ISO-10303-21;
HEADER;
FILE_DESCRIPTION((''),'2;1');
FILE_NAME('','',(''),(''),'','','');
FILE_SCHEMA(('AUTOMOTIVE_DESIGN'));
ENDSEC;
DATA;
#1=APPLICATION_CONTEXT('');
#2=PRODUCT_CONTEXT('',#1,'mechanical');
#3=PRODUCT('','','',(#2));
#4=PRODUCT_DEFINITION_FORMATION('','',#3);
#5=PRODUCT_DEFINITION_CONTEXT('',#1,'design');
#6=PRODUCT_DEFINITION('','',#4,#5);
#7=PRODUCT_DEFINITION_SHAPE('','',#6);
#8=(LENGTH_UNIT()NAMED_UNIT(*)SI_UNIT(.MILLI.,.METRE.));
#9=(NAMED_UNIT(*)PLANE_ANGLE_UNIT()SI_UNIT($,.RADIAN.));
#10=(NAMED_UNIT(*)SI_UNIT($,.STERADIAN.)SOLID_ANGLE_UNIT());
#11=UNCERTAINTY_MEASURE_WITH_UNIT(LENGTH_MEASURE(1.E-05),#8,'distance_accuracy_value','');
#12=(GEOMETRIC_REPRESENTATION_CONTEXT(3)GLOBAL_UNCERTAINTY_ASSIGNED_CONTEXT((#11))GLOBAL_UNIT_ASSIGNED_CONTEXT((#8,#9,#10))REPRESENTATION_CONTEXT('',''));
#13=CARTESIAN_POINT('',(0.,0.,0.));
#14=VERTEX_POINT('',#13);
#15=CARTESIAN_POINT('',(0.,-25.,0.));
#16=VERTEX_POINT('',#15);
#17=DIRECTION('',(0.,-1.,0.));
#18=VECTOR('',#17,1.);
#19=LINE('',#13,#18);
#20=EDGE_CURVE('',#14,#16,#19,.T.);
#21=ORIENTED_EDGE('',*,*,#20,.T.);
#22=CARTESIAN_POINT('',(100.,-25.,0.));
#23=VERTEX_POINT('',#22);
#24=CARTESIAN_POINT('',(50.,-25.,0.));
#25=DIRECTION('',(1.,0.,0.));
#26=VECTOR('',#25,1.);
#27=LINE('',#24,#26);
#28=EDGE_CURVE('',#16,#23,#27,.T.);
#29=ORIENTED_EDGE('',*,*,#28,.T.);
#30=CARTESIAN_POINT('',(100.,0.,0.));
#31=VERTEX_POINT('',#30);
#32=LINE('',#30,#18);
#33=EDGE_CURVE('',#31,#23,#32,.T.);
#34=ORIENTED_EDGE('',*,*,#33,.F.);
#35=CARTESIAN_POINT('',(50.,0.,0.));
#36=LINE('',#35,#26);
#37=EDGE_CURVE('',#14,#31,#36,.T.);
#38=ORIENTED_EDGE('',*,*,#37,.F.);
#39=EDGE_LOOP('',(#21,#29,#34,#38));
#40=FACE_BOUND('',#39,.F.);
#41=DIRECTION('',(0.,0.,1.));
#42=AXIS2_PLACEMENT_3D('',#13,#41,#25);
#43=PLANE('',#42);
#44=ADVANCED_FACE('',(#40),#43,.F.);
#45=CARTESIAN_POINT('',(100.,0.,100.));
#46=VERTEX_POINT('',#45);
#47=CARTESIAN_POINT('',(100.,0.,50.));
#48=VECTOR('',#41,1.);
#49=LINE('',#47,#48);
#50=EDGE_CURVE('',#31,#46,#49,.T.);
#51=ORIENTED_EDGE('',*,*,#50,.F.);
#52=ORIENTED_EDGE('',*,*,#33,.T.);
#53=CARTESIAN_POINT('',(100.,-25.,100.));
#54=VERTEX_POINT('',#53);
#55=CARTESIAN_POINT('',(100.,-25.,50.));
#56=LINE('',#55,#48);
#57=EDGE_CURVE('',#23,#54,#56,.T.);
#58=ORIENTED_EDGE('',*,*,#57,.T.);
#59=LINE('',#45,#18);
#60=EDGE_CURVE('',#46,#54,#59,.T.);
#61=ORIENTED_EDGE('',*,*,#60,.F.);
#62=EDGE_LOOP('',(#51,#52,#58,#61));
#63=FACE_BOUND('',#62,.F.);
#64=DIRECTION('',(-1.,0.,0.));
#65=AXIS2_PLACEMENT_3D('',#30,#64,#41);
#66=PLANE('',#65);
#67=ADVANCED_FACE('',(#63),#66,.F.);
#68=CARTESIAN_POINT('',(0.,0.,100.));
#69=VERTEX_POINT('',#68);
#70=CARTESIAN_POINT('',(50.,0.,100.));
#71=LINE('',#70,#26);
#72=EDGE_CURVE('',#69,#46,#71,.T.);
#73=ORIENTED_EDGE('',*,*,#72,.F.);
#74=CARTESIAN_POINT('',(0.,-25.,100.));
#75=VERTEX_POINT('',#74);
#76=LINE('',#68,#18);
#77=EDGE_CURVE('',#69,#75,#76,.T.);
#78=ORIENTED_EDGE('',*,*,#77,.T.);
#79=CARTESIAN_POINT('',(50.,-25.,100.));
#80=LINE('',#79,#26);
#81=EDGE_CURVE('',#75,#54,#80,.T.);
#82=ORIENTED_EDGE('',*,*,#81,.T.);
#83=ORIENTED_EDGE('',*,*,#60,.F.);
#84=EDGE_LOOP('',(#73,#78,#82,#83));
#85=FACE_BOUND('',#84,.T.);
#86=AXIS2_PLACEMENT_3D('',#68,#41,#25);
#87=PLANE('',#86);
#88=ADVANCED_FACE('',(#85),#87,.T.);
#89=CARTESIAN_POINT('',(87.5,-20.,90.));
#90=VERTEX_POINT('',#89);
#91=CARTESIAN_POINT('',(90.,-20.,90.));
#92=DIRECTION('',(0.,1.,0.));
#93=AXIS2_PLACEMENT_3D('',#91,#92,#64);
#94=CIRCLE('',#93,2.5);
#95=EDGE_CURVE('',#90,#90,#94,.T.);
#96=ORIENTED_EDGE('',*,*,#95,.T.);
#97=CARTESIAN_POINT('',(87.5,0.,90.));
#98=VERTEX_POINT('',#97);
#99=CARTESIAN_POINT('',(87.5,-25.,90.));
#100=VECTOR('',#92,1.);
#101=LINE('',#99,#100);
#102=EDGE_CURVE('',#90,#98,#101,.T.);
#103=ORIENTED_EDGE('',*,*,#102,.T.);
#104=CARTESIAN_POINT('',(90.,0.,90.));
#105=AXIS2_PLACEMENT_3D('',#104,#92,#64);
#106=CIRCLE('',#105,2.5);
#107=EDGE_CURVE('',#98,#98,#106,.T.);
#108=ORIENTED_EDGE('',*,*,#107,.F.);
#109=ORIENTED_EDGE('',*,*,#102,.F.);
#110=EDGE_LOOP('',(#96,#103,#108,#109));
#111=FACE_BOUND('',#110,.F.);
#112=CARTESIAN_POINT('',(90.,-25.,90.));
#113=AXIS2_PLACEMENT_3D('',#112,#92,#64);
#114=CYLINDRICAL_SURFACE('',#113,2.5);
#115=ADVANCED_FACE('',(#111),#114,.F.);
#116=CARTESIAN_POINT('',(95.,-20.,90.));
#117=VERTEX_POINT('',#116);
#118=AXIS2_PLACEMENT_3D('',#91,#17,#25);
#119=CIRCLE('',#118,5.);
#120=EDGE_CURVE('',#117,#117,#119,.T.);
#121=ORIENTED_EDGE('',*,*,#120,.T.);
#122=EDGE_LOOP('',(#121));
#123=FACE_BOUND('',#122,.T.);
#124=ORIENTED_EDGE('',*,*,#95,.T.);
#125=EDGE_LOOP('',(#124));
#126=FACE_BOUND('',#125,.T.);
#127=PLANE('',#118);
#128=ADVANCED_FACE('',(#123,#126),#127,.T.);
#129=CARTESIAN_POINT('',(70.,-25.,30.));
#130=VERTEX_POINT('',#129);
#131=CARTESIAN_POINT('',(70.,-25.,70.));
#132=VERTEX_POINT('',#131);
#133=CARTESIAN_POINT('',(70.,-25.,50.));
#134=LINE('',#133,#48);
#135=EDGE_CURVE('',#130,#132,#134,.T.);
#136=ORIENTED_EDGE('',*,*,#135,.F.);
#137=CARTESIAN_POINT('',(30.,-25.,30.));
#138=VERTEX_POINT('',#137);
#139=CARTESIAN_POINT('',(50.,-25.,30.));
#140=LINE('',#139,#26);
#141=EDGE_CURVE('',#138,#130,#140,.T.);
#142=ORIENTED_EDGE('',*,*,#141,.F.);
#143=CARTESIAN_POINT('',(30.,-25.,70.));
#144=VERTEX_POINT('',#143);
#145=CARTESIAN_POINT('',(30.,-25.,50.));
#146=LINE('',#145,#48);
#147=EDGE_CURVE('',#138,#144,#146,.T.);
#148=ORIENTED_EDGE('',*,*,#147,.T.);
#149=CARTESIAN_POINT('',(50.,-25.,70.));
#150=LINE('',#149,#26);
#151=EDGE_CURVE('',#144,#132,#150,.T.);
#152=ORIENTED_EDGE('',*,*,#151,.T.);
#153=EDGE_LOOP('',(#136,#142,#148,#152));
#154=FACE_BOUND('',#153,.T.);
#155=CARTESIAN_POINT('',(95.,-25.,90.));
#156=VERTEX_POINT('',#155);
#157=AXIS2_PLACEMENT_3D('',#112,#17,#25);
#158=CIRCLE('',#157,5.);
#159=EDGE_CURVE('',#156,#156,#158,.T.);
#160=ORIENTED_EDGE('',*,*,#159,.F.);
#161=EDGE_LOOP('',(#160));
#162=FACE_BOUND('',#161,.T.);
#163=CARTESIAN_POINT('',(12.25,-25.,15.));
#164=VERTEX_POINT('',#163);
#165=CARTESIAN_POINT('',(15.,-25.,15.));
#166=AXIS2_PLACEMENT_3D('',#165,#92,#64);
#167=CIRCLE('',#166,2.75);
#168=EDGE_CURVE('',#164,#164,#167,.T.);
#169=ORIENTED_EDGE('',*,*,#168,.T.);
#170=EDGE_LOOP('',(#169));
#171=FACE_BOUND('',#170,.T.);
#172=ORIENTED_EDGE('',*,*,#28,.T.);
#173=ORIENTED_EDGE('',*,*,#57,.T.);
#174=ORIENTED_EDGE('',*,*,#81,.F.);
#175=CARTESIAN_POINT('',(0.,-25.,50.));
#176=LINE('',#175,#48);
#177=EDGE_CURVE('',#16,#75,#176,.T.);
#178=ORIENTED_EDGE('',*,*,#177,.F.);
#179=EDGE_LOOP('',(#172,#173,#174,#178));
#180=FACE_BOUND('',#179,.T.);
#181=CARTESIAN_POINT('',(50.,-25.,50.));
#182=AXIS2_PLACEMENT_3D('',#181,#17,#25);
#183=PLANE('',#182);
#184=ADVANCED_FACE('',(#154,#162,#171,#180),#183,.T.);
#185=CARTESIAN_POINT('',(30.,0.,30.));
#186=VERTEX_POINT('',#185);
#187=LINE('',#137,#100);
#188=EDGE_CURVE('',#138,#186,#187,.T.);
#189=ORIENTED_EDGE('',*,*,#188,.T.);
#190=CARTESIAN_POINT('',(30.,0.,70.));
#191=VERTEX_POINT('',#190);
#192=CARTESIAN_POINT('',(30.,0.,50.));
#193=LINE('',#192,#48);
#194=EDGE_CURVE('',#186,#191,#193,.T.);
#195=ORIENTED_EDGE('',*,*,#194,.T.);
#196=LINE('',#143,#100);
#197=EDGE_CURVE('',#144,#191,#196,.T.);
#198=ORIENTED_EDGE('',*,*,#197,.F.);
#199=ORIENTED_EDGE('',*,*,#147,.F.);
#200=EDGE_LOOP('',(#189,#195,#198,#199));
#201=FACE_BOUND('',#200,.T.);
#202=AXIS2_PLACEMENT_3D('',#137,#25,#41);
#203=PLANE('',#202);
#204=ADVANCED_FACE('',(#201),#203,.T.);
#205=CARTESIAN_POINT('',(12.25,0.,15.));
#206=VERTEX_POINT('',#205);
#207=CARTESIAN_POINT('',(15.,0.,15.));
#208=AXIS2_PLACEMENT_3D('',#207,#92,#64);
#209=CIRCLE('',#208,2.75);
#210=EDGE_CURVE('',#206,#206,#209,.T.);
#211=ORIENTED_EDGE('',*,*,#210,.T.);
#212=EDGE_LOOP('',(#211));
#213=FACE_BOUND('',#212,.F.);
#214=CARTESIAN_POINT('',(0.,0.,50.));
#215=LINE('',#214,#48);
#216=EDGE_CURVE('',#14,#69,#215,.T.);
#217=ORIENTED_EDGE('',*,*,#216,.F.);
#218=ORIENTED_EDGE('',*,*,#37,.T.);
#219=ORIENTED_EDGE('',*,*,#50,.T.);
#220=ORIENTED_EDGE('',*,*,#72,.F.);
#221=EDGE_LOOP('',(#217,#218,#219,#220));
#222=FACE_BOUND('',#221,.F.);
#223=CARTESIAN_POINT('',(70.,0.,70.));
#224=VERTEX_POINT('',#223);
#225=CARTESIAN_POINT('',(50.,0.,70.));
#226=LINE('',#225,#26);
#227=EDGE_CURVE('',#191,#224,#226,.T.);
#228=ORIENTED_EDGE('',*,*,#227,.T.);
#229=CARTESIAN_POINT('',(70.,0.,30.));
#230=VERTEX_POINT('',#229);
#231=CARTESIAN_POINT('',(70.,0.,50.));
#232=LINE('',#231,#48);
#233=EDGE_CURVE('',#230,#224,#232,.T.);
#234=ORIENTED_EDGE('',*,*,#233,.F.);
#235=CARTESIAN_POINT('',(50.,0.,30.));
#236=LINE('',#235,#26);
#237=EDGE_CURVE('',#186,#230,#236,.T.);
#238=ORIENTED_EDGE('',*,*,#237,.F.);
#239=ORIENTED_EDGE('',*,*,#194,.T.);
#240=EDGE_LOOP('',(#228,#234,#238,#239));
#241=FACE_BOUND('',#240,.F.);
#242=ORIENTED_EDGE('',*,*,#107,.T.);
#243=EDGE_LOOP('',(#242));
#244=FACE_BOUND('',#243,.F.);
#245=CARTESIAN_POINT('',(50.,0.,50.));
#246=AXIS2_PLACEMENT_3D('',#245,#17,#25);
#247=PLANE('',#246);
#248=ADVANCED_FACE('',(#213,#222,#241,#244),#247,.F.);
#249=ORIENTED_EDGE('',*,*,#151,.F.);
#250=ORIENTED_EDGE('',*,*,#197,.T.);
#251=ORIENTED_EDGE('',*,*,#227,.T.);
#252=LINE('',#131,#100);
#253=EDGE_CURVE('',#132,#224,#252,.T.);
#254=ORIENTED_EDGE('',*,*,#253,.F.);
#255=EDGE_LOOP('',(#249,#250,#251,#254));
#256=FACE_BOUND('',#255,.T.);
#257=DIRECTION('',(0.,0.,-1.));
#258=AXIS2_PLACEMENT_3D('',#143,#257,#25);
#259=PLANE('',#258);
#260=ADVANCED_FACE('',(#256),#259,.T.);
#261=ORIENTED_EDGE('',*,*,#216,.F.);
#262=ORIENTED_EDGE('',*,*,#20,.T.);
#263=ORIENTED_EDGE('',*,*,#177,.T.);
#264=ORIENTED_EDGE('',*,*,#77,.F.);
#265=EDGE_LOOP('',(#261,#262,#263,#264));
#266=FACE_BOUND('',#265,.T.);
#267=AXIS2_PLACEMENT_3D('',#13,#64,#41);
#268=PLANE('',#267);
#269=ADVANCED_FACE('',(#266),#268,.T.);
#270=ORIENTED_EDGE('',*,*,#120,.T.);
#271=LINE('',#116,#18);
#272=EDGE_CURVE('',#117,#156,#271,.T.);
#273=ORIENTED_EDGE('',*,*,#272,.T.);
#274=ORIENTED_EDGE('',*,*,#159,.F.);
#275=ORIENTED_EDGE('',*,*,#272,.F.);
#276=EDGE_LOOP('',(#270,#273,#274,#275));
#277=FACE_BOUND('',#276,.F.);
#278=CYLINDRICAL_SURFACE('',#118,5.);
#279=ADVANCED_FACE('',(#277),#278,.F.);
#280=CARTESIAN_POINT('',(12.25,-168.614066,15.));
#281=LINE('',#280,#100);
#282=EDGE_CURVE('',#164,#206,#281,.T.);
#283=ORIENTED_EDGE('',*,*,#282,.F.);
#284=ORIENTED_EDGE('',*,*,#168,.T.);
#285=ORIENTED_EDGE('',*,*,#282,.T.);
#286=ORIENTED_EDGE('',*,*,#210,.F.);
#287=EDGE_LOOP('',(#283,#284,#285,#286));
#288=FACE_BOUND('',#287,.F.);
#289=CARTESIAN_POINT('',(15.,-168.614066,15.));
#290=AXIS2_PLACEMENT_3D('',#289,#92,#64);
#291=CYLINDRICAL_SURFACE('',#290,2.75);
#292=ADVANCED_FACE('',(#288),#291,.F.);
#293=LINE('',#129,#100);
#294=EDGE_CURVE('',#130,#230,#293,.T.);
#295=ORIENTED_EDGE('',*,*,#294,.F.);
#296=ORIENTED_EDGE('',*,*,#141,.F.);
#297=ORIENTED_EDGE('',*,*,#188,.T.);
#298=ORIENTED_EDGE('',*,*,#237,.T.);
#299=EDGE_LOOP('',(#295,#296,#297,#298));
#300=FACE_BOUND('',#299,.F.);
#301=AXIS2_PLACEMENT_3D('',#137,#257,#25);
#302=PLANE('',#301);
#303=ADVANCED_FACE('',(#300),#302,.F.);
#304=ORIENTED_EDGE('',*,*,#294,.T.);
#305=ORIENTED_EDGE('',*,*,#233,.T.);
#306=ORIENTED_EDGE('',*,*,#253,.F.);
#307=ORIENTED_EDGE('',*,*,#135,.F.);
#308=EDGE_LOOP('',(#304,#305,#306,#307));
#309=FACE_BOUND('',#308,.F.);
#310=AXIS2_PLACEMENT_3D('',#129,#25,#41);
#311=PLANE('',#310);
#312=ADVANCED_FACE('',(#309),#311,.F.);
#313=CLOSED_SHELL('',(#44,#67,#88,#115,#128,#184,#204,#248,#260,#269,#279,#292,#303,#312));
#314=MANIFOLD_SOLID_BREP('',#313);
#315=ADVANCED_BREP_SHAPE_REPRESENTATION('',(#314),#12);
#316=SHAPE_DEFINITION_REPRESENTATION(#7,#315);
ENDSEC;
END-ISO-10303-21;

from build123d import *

# Parameters (mm, degrees)
F0_W           = 100
F0_H           = 100
F1_DEPTH       = 25
F2_W           = 40
F2_H           = 40
F3_DEPTH       = 25
F5_D           = 5
F5_CBORE_D     = 10
F5_CBORE_DEPTH = 5
F7_D           = 5.5


with BuildPart() as f1:
    # F0 (on Front) → F1 (new body)
    with BuildSketch(Plane.XZ):
        with Locations((50, 50)):
            Rectangle(F0_W, F0_H)
    extrude(amount=F1_DEPTH)

    # F2 (on face) → F3 (cut)
    with BuildSketch(Plane.XZ.offset(25)):
        with Locations((50, 50)):
            Rectangle(F2_W, F2_H)
    extrude(amount=-F3_DEPTH, mode=Mode.SUBTRACT)

    # F5 (through all)
    with Locations(Plane.XZ.offset(25)):
        with Locations((90, 90)):
            CounterBoreHole(F5_D / 2, F5_CBORE_D / 2, F5_CBORE_DEPTH)

    # F7 (through all)
    with Locations(Plane.XZ.offset(25)):
        with Locations((15, 15)):
            Hole(F7_D / 2)


solid = f1.part
